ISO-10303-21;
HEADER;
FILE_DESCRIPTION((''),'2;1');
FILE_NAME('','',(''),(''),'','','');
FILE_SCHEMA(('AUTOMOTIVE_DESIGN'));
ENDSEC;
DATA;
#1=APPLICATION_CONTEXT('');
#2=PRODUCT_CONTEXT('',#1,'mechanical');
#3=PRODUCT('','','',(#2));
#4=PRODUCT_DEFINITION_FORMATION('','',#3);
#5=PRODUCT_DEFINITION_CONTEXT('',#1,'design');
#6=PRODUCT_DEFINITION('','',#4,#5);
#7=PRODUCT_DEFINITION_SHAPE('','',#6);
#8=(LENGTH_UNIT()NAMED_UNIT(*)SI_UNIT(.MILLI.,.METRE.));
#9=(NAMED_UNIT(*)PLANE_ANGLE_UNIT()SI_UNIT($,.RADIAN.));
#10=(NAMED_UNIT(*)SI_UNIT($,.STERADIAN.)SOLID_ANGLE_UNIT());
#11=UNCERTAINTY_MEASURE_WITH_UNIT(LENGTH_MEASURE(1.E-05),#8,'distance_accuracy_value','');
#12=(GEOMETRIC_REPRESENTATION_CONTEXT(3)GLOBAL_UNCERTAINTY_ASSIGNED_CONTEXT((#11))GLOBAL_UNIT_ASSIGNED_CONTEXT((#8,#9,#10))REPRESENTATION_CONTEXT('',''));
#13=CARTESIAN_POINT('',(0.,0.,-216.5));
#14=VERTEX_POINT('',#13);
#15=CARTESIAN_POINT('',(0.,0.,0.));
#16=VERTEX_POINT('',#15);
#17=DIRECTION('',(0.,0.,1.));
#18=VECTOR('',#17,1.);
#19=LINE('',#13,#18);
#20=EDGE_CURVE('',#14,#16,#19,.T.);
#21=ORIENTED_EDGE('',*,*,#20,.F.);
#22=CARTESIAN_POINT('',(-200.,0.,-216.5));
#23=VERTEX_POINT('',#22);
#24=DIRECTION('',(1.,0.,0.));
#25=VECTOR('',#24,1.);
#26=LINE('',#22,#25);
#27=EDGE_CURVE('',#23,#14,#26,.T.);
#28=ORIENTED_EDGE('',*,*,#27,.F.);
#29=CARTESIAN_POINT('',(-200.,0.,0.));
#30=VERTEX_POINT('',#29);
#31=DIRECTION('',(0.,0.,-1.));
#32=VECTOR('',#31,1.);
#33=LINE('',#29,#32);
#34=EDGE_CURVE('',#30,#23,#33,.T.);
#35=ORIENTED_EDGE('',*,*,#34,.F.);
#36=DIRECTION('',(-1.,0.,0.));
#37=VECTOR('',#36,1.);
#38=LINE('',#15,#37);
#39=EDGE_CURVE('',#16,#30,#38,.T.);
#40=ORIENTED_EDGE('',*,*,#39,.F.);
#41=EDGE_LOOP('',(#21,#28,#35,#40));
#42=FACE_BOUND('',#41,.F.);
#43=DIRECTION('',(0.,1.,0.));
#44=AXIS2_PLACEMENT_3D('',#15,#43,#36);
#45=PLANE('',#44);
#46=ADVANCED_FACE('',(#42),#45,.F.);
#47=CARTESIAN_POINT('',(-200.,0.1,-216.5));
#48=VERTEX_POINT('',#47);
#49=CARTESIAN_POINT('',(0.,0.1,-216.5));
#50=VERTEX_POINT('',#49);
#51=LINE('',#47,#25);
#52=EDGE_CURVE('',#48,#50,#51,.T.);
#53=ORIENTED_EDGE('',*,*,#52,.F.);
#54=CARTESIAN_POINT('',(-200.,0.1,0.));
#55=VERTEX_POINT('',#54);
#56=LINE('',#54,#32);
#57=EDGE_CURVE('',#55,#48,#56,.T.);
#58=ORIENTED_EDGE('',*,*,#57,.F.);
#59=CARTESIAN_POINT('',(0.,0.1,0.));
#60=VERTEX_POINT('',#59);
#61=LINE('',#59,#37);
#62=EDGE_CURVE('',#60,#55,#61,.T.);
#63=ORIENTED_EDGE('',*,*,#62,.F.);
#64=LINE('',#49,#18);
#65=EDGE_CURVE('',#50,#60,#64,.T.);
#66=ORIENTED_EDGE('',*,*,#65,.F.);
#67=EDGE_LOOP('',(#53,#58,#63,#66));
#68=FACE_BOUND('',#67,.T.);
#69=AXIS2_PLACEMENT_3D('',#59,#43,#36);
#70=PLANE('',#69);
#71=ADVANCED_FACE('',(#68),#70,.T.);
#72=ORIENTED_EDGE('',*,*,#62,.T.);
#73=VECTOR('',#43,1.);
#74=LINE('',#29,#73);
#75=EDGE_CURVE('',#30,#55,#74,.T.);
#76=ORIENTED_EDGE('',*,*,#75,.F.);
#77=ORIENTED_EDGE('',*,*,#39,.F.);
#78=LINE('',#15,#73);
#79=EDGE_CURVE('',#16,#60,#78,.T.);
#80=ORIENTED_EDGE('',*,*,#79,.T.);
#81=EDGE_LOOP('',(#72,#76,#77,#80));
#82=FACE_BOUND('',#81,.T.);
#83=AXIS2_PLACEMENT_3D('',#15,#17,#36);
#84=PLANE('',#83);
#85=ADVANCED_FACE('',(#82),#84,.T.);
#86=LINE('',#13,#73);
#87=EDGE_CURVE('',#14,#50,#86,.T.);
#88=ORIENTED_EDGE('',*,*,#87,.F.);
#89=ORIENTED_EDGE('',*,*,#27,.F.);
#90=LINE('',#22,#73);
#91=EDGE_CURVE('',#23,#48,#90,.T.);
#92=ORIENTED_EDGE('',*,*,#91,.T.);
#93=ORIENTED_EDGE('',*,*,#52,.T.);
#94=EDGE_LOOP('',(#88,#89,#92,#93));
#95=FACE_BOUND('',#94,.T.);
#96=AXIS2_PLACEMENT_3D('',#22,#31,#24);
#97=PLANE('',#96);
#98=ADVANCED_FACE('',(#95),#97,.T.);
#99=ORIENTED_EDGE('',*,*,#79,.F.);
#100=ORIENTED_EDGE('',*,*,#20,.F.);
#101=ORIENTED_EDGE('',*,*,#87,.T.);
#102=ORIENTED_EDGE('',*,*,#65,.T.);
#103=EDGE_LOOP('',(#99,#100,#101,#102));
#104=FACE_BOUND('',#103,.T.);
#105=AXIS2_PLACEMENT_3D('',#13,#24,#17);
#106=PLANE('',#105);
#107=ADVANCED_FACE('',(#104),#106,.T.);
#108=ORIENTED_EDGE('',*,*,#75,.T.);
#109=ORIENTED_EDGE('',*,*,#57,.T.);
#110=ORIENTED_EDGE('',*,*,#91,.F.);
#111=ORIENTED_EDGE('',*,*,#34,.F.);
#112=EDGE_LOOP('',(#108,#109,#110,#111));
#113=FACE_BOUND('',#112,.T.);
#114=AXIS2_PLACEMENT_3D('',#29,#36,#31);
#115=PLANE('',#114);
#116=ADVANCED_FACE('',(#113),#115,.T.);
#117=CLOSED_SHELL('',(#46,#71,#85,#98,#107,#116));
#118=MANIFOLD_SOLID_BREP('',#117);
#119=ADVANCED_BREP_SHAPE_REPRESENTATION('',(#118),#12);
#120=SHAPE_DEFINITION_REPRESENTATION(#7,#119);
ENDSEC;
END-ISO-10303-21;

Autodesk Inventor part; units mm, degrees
ref_plane "YZ Plane" through (0, 0, 0) normal (1, 0, 0) x (0, 1, 0)
ref_plane "XZ Plane" through (0, 0, 0) normal (0, 1, 0) x (-1, 0, 0)
ref_plane "XY Plane" through (0, 0, 0) normal (0, 0, 1) x (1, 0, 0)
sketch "草圖1" plane through (0, 0, 0) normal (0, 1, 0) x (-1, 0, 0)
  line L0 (0, 0) -> (200, 0)
  line L1 (200, 0) -> (200, -216.5)
  line L2 (200, -216.5) -> (0, -216.5)
  line L3 (0, -216.5) -> (0, 0)
  dimension "d0" = 216.5
  dimension "d1" = 200
extrude "擠出1" add sketch "草圖1" along normal blind 0.1
properties part number "帆布_中間"
